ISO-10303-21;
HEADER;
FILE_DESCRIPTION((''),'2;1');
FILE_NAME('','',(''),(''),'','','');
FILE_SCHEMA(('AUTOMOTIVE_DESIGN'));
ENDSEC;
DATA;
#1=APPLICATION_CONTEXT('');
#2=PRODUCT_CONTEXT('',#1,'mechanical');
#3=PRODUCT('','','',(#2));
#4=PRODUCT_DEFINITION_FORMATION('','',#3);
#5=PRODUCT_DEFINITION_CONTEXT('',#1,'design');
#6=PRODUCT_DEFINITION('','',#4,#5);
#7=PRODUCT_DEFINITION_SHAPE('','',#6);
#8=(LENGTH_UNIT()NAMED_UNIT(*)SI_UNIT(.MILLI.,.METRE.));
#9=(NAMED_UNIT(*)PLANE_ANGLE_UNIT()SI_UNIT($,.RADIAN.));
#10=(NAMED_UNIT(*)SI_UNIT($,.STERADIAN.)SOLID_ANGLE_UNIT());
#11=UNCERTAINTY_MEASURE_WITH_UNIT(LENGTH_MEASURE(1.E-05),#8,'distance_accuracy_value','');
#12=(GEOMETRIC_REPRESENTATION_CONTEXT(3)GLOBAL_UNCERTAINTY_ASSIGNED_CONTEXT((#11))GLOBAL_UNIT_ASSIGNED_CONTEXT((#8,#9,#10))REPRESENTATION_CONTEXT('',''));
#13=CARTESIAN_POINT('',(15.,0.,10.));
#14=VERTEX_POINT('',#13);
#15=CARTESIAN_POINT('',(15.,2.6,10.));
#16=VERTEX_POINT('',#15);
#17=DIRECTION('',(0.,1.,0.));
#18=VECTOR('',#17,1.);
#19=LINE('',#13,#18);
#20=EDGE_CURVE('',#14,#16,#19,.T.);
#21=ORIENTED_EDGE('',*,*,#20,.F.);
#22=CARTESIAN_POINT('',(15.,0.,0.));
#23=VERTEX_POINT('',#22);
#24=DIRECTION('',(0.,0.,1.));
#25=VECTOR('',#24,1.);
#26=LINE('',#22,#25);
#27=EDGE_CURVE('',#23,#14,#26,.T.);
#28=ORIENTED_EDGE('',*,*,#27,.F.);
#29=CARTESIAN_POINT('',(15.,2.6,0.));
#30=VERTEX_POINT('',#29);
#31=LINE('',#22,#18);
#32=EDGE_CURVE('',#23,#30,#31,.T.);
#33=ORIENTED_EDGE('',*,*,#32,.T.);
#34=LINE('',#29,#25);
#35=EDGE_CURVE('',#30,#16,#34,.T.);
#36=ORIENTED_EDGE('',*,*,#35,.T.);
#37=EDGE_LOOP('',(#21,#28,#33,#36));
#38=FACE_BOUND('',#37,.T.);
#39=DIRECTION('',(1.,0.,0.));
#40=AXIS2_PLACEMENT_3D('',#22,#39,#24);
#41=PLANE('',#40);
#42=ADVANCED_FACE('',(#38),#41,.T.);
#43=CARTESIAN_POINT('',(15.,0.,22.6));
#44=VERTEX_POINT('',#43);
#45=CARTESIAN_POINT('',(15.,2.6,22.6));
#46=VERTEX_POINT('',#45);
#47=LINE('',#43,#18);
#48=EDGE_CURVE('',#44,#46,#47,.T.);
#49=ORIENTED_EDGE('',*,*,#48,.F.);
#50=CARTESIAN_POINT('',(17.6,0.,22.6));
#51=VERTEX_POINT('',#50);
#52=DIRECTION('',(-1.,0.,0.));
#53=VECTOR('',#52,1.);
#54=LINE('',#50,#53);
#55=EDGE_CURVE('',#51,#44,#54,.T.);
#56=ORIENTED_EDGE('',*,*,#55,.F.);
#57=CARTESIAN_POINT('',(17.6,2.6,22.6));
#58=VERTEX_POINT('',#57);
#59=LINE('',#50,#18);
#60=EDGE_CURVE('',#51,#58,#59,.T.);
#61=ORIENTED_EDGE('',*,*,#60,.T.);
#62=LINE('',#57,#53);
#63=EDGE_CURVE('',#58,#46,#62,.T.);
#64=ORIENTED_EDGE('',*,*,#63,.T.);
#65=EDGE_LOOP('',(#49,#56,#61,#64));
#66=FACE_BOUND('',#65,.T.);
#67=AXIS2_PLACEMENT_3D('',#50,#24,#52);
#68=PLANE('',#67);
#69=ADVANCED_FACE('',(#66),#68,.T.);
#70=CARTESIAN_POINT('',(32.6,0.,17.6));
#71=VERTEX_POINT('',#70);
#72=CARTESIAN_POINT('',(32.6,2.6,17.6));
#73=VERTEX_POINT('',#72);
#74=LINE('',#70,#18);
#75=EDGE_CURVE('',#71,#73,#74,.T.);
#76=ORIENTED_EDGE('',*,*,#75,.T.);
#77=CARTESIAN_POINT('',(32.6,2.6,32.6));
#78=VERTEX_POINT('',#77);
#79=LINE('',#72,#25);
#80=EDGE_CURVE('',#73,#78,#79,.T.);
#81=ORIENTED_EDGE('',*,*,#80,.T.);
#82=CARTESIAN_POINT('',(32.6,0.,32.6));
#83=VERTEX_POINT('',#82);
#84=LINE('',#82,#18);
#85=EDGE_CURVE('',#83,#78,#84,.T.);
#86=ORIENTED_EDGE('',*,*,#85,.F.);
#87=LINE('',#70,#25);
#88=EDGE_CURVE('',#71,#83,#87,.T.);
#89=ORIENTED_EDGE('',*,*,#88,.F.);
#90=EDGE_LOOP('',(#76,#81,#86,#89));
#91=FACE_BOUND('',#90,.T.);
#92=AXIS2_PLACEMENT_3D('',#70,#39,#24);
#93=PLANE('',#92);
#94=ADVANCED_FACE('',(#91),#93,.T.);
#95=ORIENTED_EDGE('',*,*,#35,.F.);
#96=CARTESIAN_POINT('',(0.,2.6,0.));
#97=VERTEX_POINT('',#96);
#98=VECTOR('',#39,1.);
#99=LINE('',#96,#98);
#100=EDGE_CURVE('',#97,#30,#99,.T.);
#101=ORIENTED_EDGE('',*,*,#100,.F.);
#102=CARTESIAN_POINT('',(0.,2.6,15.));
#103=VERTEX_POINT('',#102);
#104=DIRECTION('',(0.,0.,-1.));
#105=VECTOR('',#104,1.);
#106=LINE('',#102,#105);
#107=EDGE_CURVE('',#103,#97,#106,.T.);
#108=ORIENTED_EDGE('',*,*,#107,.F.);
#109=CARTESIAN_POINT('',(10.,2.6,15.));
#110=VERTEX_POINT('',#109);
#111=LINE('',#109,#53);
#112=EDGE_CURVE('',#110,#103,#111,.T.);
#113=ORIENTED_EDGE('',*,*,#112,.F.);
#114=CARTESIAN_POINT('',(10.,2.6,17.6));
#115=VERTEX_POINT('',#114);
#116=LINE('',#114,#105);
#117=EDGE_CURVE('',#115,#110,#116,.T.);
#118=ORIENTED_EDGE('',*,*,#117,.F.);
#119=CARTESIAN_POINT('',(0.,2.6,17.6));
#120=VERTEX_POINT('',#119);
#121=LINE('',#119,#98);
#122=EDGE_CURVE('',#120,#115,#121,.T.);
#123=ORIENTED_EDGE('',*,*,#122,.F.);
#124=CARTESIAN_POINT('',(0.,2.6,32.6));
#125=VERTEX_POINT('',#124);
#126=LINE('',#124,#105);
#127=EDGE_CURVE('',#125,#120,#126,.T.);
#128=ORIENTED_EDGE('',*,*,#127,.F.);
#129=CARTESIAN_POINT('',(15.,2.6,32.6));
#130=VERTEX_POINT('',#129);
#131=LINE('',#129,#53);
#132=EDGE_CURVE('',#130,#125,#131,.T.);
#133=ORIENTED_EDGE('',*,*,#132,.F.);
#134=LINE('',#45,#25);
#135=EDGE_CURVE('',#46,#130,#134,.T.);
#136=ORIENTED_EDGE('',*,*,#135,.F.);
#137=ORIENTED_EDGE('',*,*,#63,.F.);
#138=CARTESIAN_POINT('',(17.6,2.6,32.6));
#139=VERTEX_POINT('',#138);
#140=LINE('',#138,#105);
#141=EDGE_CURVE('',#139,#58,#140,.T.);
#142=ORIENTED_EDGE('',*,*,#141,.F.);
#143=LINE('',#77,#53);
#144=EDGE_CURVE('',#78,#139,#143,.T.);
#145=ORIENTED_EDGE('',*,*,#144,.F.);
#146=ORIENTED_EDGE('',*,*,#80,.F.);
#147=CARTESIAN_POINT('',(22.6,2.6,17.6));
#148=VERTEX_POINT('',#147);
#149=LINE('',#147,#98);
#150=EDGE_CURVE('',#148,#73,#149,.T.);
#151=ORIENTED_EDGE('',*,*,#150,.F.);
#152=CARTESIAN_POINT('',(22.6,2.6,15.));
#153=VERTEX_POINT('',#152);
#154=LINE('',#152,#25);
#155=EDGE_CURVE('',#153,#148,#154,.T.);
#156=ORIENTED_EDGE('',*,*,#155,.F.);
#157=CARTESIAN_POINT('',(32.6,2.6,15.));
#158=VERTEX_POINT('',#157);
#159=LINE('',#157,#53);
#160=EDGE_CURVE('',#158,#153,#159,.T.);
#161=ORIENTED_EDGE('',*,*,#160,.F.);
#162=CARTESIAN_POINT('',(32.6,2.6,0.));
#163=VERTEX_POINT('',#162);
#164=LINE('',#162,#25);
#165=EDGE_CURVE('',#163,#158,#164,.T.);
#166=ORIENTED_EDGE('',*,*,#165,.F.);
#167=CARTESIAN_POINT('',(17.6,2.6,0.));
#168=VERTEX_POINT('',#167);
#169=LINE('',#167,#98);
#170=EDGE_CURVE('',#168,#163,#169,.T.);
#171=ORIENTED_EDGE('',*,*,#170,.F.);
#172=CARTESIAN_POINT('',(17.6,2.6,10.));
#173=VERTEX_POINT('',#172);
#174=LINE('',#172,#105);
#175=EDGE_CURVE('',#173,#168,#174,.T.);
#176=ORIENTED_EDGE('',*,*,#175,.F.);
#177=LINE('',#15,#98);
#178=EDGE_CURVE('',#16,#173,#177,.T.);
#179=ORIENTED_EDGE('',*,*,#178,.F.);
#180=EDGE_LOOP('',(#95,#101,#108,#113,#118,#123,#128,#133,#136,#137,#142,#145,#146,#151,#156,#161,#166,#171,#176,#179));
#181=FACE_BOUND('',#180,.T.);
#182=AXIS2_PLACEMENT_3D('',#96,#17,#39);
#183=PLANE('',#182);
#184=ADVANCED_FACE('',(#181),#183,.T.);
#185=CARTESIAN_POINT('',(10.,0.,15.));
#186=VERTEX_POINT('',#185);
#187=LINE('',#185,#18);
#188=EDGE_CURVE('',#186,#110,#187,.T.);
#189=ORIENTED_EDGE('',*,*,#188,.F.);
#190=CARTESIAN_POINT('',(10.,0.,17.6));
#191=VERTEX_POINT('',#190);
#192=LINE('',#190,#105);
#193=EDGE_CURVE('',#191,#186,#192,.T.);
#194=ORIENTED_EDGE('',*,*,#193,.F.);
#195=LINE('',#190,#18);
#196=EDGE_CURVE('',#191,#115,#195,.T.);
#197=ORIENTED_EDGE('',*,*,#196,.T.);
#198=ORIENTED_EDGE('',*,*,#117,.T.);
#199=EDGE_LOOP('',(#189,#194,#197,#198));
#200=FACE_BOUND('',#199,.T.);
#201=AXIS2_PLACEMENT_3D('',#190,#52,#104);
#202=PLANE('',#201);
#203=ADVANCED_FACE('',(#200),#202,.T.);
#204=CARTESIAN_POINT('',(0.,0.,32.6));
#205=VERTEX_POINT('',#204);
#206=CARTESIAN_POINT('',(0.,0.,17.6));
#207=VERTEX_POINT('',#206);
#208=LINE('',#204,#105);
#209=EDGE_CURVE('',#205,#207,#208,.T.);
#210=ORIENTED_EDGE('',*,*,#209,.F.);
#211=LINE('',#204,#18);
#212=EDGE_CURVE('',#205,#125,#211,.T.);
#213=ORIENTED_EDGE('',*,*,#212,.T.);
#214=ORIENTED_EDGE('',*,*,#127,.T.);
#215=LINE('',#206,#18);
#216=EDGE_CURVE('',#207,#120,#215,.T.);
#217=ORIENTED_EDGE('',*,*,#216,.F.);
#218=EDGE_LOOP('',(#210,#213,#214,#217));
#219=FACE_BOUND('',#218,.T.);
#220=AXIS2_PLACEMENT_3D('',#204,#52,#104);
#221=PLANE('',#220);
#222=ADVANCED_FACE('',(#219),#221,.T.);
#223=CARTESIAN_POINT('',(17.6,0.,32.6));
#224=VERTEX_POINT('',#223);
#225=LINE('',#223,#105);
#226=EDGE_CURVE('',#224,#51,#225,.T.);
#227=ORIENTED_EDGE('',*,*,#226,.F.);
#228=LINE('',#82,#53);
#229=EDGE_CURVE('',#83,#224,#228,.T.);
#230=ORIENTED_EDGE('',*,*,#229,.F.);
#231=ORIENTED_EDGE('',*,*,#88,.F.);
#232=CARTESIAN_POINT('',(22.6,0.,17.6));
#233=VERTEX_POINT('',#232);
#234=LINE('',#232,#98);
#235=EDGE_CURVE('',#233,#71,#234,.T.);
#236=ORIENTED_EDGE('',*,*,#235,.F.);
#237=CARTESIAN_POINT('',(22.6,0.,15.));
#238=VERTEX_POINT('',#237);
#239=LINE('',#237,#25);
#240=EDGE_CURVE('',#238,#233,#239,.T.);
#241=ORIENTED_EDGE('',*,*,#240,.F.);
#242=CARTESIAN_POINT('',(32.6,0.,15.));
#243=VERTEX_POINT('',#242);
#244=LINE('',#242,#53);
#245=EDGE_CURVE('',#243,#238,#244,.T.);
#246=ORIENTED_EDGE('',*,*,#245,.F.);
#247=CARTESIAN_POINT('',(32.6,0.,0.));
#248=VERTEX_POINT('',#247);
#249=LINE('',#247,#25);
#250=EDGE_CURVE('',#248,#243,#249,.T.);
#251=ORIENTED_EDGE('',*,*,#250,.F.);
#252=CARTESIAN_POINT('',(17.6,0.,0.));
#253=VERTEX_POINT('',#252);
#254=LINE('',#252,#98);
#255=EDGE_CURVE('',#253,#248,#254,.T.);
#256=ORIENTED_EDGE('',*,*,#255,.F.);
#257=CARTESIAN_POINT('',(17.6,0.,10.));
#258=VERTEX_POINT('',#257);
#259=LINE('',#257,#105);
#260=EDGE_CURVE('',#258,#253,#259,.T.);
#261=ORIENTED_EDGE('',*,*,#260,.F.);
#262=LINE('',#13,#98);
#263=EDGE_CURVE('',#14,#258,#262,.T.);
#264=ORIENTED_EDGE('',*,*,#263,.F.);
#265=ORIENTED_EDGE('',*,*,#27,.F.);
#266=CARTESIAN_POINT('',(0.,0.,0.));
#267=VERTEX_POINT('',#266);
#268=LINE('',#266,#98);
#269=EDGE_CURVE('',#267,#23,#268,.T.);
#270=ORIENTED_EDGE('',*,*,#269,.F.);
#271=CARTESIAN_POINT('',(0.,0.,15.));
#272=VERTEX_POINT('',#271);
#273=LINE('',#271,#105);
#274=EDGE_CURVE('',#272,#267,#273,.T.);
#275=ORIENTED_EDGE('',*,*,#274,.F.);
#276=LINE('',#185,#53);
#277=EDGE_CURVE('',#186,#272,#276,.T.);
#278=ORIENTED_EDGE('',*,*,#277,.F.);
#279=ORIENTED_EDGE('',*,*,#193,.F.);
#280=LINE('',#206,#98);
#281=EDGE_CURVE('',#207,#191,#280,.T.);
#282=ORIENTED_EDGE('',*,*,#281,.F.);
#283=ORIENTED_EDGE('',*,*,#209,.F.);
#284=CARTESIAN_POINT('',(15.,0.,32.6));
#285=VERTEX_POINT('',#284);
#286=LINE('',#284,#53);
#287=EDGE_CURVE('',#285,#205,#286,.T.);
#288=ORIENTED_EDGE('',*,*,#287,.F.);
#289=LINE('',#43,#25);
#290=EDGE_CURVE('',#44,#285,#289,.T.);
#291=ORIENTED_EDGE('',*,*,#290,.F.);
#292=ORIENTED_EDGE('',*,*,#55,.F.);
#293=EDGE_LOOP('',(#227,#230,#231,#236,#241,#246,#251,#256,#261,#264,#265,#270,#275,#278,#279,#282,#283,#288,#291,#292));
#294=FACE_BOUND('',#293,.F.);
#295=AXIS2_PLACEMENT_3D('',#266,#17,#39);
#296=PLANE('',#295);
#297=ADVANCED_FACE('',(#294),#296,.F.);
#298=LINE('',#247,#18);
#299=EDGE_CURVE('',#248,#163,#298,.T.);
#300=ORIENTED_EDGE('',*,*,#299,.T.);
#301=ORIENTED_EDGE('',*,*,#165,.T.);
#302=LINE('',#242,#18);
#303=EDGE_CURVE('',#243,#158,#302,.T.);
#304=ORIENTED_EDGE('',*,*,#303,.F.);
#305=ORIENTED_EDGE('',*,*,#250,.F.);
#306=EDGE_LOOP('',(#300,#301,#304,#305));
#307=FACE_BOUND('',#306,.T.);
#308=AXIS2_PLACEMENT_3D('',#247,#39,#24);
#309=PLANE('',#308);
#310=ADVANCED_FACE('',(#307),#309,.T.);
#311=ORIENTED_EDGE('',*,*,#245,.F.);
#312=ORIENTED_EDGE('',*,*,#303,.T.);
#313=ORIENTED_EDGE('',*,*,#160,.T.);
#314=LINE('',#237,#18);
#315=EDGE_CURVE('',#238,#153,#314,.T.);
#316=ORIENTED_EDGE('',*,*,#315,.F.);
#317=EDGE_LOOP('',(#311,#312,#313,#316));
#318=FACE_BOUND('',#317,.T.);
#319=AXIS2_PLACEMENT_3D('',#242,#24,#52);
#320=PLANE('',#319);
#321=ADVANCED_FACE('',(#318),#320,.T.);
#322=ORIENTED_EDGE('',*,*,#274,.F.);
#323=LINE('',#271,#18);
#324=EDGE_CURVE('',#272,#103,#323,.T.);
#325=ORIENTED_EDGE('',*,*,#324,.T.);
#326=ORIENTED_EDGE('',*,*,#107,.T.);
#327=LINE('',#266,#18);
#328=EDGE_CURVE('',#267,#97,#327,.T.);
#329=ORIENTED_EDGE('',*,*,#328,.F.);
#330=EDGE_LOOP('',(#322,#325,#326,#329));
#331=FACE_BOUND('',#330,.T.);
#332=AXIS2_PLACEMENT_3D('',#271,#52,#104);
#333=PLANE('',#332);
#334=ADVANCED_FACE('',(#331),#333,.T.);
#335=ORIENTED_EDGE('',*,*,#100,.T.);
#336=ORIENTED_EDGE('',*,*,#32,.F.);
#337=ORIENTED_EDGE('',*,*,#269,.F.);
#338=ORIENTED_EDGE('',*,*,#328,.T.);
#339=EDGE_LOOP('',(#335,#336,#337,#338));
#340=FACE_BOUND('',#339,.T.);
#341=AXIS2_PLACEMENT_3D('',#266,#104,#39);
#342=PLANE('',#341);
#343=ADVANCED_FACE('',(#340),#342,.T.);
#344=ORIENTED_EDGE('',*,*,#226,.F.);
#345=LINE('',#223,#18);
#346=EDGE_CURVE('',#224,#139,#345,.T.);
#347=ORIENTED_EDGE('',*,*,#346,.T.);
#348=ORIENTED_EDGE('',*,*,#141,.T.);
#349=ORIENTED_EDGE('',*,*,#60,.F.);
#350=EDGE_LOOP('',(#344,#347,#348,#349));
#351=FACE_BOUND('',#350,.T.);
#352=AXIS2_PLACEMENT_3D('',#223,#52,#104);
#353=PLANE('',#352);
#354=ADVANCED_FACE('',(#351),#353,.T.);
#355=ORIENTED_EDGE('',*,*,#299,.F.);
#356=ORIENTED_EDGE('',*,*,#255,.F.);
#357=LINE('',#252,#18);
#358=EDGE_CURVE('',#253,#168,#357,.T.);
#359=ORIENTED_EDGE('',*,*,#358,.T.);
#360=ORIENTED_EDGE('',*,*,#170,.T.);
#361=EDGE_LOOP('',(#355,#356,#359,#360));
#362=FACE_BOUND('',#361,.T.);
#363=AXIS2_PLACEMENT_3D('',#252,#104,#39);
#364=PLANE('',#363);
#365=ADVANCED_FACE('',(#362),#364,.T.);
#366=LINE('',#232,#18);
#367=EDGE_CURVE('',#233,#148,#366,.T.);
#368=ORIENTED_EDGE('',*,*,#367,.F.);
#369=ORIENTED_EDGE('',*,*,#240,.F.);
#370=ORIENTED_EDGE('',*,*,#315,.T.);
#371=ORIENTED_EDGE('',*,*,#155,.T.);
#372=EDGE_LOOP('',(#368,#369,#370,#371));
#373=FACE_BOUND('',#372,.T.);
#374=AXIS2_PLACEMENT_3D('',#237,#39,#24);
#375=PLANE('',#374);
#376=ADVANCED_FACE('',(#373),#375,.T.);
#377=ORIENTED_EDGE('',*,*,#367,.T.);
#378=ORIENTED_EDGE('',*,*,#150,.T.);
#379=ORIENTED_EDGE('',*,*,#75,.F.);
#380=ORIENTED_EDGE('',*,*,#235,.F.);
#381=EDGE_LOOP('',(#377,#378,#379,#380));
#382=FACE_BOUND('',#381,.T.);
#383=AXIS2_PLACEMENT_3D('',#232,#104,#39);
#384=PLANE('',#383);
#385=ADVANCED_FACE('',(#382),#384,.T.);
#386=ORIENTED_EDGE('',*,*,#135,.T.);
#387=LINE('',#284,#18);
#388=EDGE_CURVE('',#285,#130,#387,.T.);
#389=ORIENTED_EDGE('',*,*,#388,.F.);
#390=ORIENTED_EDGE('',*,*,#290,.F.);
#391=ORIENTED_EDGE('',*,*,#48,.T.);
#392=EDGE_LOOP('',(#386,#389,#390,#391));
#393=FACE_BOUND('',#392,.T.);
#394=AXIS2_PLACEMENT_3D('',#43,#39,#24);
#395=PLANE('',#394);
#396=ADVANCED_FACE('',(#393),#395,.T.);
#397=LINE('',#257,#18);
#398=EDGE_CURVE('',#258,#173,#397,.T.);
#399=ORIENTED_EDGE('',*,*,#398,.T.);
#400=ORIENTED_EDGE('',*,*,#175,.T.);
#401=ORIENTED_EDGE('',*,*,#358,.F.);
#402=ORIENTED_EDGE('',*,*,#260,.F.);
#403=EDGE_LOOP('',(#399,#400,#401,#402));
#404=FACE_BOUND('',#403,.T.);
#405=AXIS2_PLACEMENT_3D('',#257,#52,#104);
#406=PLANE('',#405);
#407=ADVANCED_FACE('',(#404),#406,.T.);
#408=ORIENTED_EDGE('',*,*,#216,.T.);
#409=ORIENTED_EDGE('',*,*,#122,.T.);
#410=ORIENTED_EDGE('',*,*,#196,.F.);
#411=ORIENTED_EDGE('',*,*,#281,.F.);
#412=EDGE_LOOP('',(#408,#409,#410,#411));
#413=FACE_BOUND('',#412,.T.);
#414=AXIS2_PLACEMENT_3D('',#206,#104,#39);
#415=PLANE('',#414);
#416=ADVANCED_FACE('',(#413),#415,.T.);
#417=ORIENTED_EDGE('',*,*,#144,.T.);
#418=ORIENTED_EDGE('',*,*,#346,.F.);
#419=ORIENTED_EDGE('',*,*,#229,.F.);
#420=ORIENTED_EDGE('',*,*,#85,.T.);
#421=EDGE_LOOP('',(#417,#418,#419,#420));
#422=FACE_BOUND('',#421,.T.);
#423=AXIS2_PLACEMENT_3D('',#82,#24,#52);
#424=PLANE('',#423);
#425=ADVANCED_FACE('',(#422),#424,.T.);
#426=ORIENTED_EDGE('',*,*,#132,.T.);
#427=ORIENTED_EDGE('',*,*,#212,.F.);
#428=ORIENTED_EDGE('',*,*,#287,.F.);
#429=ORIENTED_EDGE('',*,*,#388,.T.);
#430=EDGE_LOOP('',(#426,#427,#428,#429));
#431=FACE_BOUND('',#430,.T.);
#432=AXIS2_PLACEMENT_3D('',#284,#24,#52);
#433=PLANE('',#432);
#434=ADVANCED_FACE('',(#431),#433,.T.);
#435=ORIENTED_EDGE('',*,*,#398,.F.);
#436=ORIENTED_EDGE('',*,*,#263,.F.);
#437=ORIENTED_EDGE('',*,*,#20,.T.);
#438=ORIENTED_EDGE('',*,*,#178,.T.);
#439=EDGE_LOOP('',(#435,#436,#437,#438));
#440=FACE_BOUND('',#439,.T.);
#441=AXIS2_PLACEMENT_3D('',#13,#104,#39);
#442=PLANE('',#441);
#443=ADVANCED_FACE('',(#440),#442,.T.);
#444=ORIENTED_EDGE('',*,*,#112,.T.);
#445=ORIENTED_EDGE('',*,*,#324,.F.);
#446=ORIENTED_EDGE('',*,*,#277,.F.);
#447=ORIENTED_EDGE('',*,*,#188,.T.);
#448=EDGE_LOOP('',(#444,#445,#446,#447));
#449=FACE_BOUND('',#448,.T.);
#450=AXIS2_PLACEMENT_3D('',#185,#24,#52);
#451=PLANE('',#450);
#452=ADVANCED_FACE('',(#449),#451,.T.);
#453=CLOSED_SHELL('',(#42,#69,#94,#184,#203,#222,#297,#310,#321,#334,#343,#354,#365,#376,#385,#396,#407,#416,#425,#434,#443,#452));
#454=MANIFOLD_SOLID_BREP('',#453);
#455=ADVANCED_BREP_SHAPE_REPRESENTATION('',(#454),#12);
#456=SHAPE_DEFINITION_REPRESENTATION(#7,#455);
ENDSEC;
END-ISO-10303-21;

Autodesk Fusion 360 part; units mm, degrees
sketch "草图1" plane through (0, 0, 0) normal (0, 1, 0) x (1, 0, 0) in component "module 1"
  line L0 (0, 0) -> (15, 0)
  line L1 (15, 0) -> (15, -10)
  line L2 (15, -10) -> (17.6, -10)
  line L3 (17.6, -10) -> (17.6, 0)
  line L4 (17.6, 0) -> (32.6, 0)
  line L5 (32.6, 0) -> (32.6, -15)
  line L6 (32.6, -15) -> (22.6, -15)
  line L7 (22.6, -15) -> (22.6, -17.6)
  line L8 (22.6, -17.6) -> (32.6, -17.6)
  line L9 (32.6, -17.6) -> (32.6, -32.6)
  line L10 (32.6, -32.6) -> (17.6, -32.6)
  line L11 (17.6, -32.6) -> (17.6, -22.6)
  line L12 (17.6, -22.6) -> (15, -22.6)
  line L13 (15, -22.6) -> (15, -32.6)
  line L14 (15, -32.6) -> (0, -32.6)
  line L15 (0, -32.6) -> (0, -17.6)
  line L16 (0, -17.6) -> (10, -17.6)
  line L17 (10, -17.6) -> (10, -15)
  line L18 (10, -15) -> (0, -15)
  line L19 (0, -15) -> (0, 0)
  dimension "d17" = 15
  dimension "d18" = 10
  dimension "d19" = 2.6
  dimension "d20" = 10
  dimension "d21" = 15
  dimension "d22" = 15
  dimension "d23" = 10
  dimension "d24" = 2.6
  dimension "d25" = 10
  dimension "d26" = 15
  dimension "d27" = 15
  dimension "d28" = 10
  dimension "d29" = 2.6
  dimension "d30" = 10
  dimension "d31" = 15
  dimension "d32" = 15
  dimension "d33" = 10
  dimension "d34" = 2.6
  dimension "d35" = 10
  dimension "d36" = 15
extrude "Extrude1" add sketch "草图1" along normal blind 2.6
component "module 1" placed x (1, 0, 0) y (0, 1, 0) z (0, 0, 1) at (0, 0, 0)
equation "edge = 15 mm" comment "outward"
equation "fit = 2.6 mm"
equation "cut = 10 mm"
equation "d17 = edge"
equation "d18 = cut"
equation "d19 = fit"
equation "d20 = cut"
equation "d21 = edge"
equation "d22 = edge"
equation "d23 = cut"
equation "d24 = fit"
equation "d25 = cut"
equation "d26 = edge"
equation "d27 = edge"
equation "d28 = cut"
equation "d29 = fit"
equation "d30 = cut"
equation "d31 = edge"
equation "d32 = edge"
equation "d33 = cut"
equation "d34 = fit"
equation "d35 = cut"
equation "d36 = edge"
equation "d37 = fit"
